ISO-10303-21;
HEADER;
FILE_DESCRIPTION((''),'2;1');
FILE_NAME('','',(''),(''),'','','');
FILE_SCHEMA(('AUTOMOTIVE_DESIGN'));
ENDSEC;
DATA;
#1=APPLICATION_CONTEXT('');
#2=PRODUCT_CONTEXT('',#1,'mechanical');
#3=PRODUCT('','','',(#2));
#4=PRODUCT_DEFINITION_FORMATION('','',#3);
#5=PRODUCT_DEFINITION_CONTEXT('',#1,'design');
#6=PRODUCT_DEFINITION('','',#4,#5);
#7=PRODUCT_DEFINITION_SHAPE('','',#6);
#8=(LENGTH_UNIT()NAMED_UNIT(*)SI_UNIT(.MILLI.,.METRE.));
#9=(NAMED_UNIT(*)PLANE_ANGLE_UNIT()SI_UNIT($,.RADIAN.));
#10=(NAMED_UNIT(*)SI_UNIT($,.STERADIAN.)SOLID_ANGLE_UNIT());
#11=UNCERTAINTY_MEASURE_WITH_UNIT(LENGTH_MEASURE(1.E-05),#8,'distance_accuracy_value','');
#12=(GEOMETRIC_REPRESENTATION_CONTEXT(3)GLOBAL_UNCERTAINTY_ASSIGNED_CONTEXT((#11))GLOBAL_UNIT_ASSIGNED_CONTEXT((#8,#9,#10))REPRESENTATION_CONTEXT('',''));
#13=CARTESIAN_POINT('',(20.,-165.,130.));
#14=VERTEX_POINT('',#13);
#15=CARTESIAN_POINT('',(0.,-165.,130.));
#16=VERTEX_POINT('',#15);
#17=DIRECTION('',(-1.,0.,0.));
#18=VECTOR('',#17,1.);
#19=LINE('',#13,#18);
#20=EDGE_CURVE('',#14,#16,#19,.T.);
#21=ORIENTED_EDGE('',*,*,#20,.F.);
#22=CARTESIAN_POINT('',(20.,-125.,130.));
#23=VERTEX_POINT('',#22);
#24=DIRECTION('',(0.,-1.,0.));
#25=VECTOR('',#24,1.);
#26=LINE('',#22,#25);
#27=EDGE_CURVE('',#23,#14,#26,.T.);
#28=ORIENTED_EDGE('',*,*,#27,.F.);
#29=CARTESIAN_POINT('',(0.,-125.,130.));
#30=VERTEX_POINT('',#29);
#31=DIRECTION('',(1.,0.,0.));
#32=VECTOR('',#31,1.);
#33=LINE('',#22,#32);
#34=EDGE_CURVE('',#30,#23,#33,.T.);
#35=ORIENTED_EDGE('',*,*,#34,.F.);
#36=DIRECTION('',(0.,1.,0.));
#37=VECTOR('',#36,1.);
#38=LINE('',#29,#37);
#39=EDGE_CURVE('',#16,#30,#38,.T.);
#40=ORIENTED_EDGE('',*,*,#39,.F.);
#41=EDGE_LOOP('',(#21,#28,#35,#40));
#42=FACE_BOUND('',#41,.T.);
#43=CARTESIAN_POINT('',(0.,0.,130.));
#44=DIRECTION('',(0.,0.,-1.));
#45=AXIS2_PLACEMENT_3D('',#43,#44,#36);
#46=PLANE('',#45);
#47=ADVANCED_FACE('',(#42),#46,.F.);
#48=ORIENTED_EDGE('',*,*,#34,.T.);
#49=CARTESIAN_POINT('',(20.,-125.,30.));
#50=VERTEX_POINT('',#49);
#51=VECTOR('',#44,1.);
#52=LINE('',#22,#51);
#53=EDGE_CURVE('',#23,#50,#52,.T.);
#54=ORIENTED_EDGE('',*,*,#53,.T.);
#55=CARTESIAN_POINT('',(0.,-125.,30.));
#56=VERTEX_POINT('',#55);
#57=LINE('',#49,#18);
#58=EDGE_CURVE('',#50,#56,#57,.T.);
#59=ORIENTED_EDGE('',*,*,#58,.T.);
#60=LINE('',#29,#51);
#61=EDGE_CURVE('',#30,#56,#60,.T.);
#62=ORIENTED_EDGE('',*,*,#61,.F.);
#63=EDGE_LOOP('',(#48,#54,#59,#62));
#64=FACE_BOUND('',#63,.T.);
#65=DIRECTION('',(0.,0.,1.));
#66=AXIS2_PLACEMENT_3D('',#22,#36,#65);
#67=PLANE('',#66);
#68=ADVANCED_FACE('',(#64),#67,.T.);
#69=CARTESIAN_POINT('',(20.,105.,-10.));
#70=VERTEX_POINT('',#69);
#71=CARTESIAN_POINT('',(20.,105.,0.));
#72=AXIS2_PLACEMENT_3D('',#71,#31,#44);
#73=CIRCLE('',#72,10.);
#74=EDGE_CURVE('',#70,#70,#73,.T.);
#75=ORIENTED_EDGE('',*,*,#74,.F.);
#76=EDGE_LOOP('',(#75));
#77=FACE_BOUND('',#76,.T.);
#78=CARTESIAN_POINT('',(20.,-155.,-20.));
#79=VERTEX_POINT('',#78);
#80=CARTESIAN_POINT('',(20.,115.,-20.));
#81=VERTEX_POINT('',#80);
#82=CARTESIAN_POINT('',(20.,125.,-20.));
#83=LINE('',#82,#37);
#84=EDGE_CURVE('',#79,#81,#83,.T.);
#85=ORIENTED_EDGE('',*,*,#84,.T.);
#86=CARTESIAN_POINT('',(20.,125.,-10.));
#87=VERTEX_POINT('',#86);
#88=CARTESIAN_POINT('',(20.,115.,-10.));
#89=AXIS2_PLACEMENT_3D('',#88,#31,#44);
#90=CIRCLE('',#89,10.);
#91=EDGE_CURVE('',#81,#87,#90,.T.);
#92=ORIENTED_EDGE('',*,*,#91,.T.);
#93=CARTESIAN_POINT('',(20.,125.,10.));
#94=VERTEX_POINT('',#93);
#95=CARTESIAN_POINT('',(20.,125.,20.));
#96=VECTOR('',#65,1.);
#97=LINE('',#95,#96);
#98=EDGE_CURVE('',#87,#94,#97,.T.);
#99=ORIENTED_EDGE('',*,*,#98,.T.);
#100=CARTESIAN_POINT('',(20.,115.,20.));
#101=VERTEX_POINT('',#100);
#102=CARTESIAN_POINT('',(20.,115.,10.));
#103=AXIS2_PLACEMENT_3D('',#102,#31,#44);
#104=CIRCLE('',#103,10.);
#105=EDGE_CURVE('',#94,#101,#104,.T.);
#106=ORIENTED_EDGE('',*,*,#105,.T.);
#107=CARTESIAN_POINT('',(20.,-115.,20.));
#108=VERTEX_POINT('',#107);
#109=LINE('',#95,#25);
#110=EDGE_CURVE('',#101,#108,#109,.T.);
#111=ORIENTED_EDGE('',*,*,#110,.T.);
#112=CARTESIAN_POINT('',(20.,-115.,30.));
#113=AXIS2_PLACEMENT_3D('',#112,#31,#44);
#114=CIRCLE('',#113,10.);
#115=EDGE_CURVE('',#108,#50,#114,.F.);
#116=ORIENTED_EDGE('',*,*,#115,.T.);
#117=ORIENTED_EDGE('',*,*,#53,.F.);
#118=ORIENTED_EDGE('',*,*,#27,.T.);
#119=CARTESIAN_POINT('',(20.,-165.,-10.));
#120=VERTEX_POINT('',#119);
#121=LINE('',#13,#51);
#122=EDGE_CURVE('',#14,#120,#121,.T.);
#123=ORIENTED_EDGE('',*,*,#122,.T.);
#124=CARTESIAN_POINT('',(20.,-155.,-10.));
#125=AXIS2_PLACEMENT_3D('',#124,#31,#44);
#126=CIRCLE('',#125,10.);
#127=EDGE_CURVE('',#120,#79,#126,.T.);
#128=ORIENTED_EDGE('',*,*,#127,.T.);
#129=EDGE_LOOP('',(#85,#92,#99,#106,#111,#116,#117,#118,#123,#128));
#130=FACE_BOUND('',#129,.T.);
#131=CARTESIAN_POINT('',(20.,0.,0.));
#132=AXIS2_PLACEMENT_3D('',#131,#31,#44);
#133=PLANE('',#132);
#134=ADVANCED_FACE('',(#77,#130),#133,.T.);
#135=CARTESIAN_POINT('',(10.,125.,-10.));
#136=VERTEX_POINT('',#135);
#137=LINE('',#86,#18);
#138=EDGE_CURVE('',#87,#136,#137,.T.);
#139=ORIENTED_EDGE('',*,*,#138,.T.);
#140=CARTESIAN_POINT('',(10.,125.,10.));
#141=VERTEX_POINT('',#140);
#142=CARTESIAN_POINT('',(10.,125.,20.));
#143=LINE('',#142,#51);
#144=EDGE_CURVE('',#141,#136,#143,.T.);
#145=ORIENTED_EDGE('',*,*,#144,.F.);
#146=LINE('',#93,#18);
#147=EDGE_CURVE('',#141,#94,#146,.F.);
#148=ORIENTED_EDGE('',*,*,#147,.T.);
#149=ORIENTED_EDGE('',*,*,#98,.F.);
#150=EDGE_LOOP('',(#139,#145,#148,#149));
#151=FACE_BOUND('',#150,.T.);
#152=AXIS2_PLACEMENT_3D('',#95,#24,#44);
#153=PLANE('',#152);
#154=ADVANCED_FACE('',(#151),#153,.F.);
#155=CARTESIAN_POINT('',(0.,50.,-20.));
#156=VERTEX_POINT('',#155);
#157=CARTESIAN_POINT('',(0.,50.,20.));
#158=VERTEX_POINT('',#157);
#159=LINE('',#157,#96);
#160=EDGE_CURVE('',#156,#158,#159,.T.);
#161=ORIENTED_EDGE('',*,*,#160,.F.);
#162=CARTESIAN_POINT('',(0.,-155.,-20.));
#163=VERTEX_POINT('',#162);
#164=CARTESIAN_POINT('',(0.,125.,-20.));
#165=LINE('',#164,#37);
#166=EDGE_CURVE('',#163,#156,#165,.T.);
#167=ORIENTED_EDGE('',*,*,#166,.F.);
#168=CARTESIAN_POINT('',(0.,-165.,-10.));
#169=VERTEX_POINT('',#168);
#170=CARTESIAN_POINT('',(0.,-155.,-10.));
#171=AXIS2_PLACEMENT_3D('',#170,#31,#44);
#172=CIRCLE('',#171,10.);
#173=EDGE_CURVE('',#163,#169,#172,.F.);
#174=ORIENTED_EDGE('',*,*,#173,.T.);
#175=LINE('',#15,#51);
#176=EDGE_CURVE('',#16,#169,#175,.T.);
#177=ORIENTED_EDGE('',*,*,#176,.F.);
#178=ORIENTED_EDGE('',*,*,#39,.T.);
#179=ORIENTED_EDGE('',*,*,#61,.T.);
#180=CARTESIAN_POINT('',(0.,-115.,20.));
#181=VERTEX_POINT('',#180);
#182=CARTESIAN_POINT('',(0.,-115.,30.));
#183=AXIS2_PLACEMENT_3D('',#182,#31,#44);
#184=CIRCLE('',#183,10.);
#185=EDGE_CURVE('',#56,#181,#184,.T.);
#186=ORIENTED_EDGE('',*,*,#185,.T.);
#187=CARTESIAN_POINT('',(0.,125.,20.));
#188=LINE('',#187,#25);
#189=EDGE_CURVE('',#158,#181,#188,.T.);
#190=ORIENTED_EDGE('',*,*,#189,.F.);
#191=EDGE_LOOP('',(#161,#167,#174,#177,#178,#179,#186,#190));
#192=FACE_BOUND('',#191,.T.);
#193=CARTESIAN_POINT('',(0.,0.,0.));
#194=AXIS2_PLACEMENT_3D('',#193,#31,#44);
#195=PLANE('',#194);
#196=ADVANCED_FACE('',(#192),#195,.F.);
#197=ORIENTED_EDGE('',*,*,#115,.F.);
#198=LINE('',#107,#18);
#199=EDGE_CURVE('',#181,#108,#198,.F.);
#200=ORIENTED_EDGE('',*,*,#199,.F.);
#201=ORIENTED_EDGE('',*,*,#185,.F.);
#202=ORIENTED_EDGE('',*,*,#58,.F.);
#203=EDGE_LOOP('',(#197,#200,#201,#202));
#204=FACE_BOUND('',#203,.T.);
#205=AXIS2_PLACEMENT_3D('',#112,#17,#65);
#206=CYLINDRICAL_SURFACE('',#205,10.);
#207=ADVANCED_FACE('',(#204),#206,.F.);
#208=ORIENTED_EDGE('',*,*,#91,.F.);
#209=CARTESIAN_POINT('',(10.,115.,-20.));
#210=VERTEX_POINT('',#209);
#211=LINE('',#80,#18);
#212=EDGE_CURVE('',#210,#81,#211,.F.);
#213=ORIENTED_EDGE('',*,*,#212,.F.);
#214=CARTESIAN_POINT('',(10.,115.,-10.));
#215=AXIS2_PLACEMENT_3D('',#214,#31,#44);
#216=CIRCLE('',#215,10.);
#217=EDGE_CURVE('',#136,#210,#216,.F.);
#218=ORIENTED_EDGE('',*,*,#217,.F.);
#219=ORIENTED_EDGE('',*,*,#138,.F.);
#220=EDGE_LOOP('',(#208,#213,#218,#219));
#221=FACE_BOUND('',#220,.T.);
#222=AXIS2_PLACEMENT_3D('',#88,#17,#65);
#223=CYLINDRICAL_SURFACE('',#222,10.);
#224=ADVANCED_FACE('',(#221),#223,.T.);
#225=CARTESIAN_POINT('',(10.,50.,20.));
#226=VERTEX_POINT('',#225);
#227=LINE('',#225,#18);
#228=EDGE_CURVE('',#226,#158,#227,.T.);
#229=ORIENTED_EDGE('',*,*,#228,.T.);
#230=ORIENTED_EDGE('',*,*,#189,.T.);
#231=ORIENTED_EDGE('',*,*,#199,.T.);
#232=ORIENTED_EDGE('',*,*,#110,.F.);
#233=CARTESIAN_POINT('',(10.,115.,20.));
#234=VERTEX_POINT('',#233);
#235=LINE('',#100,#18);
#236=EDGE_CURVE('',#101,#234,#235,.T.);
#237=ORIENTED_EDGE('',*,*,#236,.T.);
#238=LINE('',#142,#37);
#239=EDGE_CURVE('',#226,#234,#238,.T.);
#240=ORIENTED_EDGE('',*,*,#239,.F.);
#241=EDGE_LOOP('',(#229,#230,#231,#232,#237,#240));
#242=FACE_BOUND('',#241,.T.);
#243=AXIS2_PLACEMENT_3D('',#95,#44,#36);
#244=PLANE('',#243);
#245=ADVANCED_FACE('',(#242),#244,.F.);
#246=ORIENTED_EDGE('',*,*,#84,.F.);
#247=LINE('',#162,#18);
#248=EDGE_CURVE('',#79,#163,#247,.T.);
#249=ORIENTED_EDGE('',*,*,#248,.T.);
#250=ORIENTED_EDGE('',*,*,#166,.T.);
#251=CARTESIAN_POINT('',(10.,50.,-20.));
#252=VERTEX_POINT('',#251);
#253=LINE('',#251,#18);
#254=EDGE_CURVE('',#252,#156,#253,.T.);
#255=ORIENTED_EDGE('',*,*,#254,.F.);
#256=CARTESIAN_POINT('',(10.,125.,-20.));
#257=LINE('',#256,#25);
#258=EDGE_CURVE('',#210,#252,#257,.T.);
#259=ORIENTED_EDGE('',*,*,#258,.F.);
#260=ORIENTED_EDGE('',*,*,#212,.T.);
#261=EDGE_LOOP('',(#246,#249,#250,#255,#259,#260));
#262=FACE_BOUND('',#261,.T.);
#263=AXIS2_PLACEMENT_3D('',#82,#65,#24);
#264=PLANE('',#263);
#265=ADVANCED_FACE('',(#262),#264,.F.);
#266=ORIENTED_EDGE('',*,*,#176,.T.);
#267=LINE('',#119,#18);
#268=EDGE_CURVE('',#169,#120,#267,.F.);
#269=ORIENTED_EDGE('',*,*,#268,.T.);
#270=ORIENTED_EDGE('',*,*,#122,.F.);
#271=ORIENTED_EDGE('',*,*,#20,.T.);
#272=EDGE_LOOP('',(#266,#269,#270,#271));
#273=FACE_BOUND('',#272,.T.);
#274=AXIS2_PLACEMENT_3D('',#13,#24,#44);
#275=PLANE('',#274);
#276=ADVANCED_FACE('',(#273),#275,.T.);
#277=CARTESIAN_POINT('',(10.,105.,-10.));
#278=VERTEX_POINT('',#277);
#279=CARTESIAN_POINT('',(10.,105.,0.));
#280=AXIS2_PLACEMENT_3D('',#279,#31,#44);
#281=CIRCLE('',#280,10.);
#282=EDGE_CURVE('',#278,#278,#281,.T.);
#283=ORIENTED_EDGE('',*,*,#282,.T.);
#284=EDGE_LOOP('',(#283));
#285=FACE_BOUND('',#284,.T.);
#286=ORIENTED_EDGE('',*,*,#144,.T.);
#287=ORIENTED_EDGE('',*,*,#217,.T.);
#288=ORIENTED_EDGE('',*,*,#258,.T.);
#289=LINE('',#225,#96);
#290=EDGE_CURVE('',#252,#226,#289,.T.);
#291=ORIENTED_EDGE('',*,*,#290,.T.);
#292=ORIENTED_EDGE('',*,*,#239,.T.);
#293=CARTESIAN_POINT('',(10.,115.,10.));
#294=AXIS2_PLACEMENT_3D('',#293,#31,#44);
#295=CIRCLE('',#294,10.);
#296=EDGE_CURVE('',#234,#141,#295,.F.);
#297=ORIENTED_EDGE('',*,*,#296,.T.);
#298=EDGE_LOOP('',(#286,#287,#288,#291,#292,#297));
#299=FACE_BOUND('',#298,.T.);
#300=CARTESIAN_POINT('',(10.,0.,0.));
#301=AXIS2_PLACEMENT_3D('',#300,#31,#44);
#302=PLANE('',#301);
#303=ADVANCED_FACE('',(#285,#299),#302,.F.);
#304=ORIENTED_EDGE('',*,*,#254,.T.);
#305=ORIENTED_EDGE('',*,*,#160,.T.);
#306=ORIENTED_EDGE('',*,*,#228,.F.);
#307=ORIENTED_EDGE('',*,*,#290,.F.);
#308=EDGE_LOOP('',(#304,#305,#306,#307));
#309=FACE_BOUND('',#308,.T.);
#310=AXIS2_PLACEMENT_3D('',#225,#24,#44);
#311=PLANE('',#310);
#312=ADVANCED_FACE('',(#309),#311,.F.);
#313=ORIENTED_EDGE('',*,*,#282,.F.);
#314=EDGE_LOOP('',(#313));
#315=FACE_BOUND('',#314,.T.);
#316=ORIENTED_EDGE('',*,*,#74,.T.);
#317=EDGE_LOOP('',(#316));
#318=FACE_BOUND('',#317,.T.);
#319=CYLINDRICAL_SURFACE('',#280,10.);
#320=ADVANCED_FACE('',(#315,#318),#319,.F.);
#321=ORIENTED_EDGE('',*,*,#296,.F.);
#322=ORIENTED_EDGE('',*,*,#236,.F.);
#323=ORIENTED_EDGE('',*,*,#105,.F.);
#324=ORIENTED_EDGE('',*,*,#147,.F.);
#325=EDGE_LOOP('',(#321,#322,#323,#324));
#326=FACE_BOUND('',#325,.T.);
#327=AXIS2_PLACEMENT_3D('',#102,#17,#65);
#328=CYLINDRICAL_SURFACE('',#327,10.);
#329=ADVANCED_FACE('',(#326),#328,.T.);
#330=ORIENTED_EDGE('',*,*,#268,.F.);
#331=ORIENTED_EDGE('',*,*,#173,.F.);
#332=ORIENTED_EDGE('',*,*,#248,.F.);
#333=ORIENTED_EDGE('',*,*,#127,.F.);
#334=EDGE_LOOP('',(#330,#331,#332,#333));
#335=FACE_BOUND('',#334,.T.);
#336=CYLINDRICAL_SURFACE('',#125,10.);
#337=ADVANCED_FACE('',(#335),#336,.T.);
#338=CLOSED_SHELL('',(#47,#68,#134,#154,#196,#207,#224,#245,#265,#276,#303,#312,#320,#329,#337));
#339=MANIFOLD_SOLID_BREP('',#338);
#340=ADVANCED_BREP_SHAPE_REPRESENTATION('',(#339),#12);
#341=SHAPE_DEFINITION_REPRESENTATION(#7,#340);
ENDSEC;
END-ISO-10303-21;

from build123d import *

# Parameters (mm, degrees)
SKETCH1_W           = 40
SKETCH1_H           = 250
BOSS_EXTRUDE1_DEPTH = 20
SKETCH2_W           = 40
SKETCH2_H           = 75
CUT_EXTRUDE1_DEPTH  = 10
FILLET1_R           = 10
SKETCH3_R           = 10
CUT_EXTRUDE2_DEPTH  = 10
SKETCH5_W           = 20
SKETCH5_H           = 40
BOSS_EXTRUDE2_DEPTH = 150
FILLET2_R           = 10
FILLET3_R           = 10


with BuildPart() as part:
    # Sketch1 → Boss-Extrude1 (new body)
    with BuildSketch(Plane(origin=(0, 0, 0), x_dir=(0, 0, -1), z_dir=(1, 0, 0))):
        Rectangle(SKETCH1_W, SKETCH1_H)
    extrude(amount=BOSS_EXTRUDE1_DEPTH)

    # Sketch2 → Cut-Extrude1 (cut)
    with BuildSketch(Plane.ZY):
        with Locations((0, 87.5)):
            Rectangle(SKETCH2_W, SKETCH2_H)
    extrude(amount=-CUT_EXTRUDE1_DEPTH, mode=Mode.SUBTRACT)

    # Fillet1
    fillet1_edges = [part.edges().sort_by_distance(p)[0] for p in [
        (15, 125, 20),
        (15, 125, -20),
    ]]
    fillet(fillet1_edges, radius=FILLET1_R)

    # Sketch3 → Cut-Extrude2 (cut)
    with BuildSketch(Plane(origin=(20, 0, 0), x_dir=(0, 0, -1), z_dir=(1, 0, 0))):
        with Locations((0, 105)):
            Circle(SKETCH3_R)
    extrude(amount=-CUT_EXTRUDE2_DEPTH, mode=Mode.SUBTRACT)

    # Sketch5 → Boss-Extrude2 (add)
    with BuildSketch(Plane(origin=(0, 0, -20), x_dir=(-1, 0, 0), z_dir=(0, 0, -1))):
        with Locations((-10, -145)):
            Rectangle(SKETCH5_W, SKETCH5_H)
    extrude(amount=-BOSS_EXTRUDE2_DEPTH)

    # Fillet2
    fillet2_edges = [part.edges().sort_by_distance(p)[0] for p in [
        (10, -165, -20),
    ]]
    fillet(fillet2_edges, radius=FILLET2_R)

    # Fillet3
    fillet3_edges = [part.edges().sort_by_distance(p)[0] for p in [
        (10, -125, 20),
    ]]
    fillet(fillet3_edges, radius=FILLET3_R)


solid = part.part
